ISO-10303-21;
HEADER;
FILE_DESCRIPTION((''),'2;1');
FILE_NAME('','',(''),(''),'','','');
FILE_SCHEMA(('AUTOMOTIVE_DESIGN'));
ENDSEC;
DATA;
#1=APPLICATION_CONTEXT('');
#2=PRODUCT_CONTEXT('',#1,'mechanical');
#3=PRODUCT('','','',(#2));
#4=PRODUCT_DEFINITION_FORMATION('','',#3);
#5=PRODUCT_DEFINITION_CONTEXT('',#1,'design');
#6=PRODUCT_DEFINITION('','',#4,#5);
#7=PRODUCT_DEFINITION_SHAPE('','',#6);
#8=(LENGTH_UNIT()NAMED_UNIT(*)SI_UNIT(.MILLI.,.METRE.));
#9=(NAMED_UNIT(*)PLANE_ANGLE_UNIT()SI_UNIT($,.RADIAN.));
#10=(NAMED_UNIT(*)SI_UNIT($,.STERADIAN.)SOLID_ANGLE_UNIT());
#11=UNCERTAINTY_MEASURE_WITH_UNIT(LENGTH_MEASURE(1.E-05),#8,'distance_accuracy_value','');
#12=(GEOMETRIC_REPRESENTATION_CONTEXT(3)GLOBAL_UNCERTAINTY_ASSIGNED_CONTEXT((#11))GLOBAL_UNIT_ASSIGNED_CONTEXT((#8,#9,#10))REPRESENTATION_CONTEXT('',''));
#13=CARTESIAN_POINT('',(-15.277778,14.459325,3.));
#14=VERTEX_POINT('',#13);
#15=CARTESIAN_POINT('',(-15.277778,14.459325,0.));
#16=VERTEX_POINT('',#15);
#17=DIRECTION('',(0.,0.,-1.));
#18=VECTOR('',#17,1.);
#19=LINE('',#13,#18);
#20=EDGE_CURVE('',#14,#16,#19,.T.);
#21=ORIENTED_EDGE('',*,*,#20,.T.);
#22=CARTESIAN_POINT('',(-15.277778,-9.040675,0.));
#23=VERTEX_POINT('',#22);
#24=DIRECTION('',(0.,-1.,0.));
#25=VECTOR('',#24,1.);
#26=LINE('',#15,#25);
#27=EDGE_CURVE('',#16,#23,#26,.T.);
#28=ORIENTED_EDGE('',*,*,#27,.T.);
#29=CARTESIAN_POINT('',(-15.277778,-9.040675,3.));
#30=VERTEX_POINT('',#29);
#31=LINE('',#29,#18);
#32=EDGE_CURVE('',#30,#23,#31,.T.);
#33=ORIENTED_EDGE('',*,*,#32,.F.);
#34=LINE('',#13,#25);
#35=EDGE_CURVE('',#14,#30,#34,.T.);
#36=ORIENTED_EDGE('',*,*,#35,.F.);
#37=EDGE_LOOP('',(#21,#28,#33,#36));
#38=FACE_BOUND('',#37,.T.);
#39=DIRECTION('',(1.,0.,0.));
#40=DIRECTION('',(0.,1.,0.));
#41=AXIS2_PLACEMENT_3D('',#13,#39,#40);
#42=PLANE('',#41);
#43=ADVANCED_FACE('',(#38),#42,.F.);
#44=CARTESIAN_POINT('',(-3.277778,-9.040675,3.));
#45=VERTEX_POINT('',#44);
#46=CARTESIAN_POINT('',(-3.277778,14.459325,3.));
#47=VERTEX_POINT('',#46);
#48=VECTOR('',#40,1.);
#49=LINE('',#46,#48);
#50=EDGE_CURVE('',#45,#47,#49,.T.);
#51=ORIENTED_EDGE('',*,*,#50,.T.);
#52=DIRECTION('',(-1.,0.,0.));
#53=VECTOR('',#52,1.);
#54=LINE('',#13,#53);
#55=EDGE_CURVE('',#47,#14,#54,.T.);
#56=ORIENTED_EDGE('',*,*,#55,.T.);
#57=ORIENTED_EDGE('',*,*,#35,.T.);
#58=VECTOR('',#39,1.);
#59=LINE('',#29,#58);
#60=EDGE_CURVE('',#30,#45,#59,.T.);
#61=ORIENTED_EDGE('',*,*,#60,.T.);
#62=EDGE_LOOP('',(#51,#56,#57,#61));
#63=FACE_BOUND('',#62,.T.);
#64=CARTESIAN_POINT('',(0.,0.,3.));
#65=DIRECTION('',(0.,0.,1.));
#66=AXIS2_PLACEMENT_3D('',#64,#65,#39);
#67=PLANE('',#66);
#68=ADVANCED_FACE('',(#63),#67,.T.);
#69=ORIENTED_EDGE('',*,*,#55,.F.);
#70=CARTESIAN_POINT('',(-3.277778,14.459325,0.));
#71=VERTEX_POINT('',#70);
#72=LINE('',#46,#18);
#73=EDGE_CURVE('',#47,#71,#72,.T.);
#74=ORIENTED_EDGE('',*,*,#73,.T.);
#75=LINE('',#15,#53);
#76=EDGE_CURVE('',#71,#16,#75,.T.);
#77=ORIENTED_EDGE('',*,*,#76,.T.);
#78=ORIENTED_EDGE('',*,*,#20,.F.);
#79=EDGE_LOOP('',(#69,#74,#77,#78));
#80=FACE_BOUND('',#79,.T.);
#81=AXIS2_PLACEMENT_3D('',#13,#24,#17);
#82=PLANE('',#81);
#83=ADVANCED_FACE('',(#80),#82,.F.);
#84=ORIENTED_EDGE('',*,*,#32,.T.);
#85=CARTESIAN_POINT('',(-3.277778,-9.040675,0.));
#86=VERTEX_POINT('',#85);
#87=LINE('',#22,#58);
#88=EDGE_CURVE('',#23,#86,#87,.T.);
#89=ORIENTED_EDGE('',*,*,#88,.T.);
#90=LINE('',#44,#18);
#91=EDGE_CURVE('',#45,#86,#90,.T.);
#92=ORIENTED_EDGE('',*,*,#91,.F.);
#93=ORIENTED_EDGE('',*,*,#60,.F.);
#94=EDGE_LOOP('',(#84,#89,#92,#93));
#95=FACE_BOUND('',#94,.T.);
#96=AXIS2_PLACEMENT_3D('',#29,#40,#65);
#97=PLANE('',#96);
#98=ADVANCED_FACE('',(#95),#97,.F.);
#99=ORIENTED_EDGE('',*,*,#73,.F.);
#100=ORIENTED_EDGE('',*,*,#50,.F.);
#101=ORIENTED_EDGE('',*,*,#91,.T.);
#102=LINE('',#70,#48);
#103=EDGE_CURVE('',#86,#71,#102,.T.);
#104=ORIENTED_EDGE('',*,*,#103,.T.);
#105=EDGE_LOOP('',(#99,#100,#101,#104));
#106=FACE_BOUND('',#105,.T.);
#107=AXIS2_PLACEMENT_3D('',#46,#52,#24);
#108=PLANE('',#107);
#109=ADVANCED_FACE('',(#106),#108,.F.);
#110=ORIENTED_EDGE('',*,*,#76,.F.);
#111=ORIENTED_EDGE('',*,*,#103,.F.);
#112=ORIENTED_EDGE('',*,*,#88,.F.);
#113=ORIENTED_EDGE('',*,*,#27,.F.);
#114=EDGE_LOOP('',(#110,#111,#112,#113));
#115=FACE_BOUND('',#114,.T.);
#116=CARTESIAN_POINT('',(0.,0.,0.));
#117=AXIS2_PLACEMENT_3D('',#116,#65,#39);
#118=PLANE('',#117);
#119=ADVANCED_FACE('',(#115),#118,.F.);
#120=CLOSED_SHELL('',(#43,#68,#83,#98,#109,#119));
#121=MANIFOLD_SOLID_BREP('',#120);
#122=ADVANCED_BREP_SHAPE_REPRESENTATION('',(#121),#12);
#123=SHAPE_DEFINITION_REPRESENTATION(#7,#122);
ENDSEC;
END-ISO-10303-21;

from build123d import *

# Parameters (mm, degrees)
ESBO_O1_W                = 12
ESBO_O1_H                = 23.5
RESSALTO_EXTRUS_O1_DEPTH = 3


with BuildPart() as part:
    # Esboço1 → Ressalto-extrusão1 (new body)
    with BuildSketch(Plane.XY):
        with Locations((-9.277777778, 2.709325397)):
            Rectangle(ESBO_O1_W, ESBO_O1_H)
    extrude(amount=RESSALTO_EXTRUS_O1_DEPTH)


solid = part.part
